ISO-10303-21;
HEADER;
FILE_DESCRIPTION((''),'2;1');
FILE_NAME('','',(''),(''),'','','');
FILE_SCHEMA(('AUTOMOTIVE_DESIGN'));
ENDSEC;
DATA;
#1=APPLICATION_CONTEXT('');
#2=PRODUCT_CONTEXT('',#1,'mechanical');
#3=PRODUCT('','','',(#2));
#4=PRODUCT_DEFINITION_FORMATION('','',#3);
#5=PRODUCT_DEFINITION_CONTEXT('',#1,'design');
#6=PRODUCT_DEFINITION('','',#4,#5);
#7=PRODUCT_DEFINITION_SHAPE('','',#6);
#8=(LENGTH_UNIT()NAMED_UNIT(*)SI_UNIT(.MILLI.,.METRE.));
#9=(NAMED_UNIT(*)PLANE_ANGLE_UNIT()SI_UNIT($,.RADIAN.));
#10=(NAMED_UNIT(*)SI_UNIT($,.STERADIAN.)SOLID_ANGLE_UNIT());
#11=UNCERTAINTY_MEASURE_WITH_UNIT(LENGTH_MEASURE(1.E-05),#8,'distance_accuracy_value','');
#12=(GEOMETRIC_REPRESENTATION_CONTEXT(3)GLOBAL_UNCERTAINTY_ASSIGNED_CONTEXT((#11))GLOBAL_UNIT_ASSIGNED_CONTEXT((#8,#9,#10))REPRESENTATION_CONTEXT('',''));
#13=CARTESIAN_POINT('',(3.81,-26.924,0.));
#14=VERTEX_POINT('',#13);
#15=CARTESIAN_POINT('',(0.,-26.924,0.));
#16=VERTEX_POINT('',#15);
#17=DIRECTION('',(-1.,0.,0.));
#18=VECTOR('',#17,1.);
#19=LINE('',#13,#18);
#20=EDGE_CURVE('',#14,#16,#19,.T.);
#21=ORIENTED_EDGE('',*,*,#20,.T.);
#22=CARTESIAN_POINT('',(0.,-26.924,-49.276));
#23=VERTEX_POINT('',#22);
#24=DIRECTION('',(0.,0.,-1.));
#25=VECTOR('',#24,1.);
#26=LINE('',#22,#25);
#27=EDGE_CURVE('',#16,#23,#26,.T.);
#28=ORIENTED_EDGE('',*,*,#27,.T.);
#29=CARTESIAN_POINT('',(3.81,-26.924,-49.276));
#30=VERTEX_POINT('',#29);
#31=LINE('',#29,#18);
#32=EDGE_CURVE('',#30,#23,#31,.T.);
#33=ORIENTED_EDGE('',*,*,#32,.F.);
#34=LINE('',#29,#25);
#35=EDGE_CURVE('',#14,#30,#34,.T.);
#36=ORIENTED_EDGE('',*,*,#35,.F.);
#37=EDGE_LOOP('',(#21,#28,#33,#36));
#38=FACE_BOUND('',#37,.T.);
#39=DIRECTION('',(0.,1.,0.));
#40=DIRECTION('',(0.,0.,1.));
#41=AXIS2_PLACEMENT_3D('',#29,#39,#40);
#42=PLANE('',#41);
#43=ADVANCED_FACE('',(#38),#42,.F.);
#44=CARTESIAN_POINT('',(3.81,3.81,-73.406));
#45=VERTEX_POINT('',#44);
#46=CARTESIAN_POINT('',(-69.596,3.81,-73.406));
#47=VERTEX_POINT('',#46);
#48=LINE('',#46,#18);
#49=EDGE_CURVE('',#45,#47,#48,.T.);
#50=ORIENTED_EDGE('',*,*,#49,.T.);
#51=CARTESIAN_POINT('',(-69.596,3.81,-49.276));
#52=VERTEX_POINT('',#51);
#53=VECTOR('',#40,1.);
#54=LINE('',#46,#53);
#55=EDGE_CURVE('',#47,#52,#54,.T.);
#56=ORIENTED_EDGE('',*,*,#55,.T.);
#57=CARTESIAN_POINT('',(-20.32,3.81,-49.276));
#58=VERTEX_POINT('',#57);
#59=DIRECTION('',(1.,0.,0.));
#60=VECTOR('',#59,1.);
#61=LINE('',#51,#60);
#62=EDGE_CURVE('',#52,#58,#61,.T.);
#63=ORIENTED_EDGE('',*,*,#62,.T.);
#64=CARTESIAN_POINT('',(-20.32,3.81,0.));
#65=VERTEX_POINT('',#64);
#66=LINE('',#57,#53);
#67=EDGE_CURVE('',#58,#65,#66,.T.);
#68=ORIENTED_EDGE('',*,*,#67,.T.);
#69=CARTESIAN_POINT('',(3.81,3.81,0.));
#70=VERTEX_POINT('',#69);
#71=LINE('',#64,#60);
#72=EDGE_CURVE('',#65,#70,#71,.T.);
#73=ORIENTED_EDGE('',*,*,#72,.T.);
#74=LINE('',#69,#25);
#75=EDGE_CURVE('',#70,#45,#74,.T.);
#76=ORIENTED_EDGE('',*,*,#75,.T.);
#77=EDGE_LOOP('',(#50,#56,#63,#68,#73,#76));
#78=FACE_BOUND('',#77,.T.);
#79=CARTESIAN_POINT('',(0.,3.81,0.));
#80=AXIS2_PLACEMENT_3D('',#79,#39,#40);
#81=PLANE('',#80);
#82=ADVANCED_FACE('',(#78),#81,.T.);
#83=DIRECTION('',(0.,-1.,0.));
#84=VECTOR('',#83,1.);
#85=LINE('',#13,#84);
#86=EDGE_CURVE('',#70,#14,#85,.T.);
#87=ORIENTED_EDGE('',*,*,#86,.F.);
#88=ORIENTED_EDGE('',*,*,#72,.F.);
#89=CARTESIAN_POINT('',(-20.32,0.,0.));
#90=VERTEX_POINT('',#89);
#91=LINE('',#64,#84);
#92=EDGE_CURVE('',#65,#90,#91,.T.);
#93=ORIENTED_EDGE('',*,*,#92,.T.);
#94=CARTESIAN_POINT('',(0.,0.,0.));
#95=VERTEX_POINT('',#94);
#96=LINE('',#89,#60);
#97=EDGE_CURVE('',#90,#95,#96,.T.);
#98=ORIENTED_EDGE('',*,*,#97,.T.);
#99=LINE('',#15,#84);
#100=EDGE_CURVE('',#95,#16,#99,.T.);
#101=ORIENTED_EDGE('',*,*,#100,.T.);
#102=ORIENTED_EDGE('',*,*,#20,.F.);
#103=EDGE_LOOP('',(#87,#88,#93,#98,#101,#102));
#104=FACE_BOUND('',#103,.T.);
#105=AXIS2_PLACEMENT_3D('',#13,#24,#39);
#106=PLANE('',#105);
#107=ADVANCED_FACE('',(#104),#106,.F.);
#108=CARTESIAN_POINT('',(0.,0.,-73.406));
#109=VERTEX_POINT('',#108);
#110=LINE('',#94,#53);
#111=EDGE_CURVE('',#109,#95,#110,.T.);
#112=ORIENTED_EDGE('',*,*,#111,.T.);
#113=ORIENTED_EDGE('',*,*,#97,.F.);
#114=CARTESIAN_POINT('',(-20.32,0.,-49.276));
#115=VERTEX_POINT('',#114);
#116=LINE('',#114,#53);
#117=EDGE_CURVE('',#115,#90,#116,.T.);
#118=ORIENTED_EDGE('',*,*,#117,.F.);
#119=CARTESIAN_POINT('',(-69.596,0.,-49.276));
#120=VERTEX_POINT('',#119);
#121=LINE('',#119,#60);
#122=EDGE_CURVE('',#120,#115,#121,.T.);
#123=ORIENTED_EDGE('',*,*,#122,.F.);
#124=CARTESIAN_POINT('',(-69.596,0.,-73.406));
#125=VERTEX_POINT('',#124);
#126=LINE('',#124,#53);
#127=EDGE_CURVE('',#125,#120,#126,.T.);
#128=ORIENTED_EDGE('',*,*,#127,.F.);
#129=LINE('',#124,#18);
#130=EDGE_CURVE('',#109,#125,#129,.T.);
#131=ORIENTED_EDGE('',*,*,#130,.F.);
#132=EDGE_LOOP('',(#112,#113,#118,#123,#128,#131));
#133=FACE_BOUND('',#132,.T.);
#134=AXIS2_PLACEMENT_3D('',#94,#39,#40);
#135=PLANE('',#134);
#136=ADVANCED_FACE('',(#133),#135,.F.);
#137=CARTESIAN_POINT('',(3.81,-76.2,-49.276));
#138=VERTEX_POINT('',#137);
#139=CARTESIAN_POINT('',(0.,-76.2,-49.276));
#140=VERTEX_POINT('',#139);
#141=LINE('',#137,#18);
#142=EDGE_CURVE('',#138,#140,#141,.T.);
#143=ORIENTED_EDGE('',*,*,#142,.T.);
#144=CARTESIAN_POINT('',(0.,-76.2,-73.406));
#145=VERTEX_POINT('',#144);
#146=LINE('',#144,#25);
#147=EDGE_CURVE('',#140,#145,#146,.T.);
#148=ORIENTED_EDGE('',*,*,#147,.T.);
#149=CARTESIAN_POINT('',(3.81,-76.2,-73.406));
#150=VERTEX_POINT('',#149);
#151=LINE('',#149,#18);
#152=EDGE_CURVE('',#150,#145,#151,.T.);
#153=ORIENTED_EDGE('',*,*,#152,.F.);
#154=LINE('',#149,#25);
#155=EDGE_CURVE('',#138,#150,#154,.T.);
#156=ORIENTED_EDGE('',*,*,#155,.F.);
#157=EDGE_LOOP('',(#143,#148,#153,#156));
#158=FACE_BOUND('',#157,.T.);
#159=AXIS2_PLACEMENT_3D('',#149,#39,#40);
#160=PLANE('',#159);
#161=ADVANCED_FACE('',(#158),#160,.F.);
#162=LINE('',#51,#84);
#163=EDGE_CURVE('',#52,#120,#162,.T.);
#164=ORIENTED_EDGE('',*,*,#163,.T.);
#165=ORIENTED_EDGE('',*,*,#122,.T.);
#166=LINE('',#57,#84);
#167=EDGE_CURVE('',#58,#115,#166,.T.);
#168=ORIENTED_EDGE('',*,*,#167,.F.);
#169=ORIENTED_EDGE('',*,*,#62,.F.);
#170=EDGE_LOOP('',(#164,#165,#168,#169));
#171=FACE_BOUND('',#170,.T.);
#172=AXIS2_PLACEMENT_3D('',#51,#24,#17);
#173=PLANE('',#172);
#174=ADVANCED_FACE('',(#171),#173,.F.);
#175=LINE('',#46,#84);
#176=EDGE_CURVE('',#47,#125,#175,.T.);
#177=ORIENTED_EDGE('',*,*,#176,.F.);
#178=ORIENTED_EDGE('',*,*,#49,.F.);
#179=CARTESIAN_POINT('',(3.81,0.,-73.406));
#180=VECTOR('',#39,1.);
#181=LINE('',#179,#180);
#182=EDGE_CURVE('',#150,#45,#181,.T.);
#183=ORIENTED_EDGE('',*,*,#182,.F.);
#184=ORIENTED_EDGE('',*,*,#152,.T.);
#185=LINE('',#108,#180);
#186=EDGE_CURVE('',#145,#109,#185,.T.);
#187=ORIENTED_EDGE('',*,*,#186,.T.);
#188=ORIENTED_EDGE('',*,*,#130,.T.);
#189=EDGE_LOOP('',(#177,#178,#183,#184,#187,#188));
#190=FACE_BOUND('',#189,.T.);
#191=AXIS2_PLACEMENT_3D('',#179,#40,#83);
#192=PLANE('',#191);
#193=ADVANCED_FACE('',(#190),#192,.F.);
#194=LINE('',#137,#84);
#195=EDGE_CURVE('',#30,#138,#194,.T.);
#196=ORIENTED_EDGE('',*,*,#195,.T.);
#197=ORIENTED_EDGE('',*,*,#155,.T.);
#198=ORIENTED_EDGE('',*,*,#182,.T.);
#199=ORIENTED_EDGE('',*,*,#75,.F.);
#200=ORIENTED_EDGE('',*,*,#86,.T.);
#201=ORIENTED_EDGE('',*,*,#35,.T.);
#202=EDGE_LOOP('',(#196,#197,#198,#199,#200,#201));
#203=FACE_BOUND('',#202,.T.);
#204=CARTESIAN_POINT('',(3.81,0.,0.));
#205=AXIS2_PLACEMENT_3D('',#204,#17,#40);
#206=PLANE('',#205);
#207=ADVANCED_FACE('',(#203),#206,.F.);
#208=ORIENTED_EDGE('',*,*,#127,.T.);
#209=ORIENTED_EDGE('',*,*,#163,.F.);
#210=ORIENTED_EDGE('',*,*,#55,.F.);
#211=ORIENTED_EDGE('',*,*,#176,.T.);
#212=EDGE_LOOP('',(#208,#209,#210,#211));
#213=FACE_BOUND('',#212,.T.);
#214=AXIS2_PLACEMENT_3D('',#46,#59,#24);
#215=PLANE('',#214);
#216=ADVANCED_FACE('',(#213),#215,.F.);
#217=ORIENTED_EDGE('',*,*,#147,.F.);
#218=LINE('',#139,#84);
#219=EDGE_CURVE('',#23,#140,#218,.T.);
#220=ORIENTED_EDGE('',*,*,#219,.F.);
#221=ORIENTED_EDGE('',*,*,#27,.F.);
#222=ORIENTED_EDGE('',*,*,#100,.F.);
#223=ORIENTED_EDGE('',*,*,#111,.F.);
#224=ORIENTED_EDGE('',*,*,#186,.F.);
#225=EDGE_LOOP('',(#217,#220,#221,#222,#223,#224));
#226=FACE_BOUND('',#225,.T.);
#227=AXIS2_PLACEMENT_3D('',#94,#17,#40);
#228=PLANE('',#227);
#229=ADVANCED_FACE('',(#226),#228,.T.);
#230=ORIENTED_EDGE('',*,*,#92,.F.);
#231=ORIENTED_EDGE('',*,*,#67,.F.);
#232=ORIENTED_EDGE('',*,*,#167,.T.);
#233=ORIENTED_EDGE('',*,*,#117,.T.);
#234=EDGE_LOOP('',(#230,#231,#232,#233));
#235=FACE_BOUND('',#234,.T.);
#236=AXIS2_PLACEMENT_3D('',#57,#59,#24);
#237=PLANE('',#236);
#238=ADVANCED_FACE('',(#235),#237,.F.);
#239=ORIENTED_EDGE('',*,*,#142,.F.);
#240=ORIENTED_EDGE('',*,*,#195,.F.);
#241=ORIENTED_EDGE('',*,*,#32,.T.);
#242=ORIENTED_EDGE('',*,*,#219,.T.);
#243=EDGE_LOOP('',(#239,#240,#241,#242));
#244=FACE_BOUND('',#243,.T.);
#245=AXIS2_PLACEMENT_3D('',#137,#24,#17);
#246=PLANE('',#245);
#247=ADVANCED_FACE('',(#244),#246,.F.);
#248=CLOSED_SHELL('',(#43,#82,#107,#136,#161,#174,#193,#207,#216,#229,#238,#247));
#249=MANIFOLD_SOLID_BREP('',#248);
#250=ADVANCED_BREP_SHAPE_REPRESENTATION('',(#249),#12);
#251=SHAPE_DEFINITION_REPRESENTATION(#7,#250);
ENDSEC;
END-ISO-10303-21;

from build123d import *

# Parameters (mm, degrees)
BOSS_EXTRUDE1_DEPTH = 3.81
BOSS_EXTRUDE2_DEPTH = 3.81


with BuildPart() as part:
    # Sketch2 → Boss-Extrude1 (new body)
    with BuildSketch(Plane(origin=(0, 0, 0), x_dir=(0, 0, -1), z_dir=(1, 0, 0))):
        Polygon((0, 0), (73.406, 0), (73.406, -76.2), (49.276, -76.2), (49.276, -26.924), (0, -26.924), align=None)
    extrude(amount=BOSS_EXTRUDE1_DEPTH)

    # Sketch5 → Boss-Extrude2 (add)
    with BuildSketch(Plane(origin=(0, 0, 0), x_dir=(1, 0, 0), z_dir=(0, 1, 0))):
        Polygon((-69.596, 73.406), (3.81, 73.406), (3.81, 0), (-20.32, 0), (-20.32, 49.276), (-69.596, 49.276), align=None)
    extrude(amount=BOSS_EXTRUDE2_DEPTH)


solid = part.part
